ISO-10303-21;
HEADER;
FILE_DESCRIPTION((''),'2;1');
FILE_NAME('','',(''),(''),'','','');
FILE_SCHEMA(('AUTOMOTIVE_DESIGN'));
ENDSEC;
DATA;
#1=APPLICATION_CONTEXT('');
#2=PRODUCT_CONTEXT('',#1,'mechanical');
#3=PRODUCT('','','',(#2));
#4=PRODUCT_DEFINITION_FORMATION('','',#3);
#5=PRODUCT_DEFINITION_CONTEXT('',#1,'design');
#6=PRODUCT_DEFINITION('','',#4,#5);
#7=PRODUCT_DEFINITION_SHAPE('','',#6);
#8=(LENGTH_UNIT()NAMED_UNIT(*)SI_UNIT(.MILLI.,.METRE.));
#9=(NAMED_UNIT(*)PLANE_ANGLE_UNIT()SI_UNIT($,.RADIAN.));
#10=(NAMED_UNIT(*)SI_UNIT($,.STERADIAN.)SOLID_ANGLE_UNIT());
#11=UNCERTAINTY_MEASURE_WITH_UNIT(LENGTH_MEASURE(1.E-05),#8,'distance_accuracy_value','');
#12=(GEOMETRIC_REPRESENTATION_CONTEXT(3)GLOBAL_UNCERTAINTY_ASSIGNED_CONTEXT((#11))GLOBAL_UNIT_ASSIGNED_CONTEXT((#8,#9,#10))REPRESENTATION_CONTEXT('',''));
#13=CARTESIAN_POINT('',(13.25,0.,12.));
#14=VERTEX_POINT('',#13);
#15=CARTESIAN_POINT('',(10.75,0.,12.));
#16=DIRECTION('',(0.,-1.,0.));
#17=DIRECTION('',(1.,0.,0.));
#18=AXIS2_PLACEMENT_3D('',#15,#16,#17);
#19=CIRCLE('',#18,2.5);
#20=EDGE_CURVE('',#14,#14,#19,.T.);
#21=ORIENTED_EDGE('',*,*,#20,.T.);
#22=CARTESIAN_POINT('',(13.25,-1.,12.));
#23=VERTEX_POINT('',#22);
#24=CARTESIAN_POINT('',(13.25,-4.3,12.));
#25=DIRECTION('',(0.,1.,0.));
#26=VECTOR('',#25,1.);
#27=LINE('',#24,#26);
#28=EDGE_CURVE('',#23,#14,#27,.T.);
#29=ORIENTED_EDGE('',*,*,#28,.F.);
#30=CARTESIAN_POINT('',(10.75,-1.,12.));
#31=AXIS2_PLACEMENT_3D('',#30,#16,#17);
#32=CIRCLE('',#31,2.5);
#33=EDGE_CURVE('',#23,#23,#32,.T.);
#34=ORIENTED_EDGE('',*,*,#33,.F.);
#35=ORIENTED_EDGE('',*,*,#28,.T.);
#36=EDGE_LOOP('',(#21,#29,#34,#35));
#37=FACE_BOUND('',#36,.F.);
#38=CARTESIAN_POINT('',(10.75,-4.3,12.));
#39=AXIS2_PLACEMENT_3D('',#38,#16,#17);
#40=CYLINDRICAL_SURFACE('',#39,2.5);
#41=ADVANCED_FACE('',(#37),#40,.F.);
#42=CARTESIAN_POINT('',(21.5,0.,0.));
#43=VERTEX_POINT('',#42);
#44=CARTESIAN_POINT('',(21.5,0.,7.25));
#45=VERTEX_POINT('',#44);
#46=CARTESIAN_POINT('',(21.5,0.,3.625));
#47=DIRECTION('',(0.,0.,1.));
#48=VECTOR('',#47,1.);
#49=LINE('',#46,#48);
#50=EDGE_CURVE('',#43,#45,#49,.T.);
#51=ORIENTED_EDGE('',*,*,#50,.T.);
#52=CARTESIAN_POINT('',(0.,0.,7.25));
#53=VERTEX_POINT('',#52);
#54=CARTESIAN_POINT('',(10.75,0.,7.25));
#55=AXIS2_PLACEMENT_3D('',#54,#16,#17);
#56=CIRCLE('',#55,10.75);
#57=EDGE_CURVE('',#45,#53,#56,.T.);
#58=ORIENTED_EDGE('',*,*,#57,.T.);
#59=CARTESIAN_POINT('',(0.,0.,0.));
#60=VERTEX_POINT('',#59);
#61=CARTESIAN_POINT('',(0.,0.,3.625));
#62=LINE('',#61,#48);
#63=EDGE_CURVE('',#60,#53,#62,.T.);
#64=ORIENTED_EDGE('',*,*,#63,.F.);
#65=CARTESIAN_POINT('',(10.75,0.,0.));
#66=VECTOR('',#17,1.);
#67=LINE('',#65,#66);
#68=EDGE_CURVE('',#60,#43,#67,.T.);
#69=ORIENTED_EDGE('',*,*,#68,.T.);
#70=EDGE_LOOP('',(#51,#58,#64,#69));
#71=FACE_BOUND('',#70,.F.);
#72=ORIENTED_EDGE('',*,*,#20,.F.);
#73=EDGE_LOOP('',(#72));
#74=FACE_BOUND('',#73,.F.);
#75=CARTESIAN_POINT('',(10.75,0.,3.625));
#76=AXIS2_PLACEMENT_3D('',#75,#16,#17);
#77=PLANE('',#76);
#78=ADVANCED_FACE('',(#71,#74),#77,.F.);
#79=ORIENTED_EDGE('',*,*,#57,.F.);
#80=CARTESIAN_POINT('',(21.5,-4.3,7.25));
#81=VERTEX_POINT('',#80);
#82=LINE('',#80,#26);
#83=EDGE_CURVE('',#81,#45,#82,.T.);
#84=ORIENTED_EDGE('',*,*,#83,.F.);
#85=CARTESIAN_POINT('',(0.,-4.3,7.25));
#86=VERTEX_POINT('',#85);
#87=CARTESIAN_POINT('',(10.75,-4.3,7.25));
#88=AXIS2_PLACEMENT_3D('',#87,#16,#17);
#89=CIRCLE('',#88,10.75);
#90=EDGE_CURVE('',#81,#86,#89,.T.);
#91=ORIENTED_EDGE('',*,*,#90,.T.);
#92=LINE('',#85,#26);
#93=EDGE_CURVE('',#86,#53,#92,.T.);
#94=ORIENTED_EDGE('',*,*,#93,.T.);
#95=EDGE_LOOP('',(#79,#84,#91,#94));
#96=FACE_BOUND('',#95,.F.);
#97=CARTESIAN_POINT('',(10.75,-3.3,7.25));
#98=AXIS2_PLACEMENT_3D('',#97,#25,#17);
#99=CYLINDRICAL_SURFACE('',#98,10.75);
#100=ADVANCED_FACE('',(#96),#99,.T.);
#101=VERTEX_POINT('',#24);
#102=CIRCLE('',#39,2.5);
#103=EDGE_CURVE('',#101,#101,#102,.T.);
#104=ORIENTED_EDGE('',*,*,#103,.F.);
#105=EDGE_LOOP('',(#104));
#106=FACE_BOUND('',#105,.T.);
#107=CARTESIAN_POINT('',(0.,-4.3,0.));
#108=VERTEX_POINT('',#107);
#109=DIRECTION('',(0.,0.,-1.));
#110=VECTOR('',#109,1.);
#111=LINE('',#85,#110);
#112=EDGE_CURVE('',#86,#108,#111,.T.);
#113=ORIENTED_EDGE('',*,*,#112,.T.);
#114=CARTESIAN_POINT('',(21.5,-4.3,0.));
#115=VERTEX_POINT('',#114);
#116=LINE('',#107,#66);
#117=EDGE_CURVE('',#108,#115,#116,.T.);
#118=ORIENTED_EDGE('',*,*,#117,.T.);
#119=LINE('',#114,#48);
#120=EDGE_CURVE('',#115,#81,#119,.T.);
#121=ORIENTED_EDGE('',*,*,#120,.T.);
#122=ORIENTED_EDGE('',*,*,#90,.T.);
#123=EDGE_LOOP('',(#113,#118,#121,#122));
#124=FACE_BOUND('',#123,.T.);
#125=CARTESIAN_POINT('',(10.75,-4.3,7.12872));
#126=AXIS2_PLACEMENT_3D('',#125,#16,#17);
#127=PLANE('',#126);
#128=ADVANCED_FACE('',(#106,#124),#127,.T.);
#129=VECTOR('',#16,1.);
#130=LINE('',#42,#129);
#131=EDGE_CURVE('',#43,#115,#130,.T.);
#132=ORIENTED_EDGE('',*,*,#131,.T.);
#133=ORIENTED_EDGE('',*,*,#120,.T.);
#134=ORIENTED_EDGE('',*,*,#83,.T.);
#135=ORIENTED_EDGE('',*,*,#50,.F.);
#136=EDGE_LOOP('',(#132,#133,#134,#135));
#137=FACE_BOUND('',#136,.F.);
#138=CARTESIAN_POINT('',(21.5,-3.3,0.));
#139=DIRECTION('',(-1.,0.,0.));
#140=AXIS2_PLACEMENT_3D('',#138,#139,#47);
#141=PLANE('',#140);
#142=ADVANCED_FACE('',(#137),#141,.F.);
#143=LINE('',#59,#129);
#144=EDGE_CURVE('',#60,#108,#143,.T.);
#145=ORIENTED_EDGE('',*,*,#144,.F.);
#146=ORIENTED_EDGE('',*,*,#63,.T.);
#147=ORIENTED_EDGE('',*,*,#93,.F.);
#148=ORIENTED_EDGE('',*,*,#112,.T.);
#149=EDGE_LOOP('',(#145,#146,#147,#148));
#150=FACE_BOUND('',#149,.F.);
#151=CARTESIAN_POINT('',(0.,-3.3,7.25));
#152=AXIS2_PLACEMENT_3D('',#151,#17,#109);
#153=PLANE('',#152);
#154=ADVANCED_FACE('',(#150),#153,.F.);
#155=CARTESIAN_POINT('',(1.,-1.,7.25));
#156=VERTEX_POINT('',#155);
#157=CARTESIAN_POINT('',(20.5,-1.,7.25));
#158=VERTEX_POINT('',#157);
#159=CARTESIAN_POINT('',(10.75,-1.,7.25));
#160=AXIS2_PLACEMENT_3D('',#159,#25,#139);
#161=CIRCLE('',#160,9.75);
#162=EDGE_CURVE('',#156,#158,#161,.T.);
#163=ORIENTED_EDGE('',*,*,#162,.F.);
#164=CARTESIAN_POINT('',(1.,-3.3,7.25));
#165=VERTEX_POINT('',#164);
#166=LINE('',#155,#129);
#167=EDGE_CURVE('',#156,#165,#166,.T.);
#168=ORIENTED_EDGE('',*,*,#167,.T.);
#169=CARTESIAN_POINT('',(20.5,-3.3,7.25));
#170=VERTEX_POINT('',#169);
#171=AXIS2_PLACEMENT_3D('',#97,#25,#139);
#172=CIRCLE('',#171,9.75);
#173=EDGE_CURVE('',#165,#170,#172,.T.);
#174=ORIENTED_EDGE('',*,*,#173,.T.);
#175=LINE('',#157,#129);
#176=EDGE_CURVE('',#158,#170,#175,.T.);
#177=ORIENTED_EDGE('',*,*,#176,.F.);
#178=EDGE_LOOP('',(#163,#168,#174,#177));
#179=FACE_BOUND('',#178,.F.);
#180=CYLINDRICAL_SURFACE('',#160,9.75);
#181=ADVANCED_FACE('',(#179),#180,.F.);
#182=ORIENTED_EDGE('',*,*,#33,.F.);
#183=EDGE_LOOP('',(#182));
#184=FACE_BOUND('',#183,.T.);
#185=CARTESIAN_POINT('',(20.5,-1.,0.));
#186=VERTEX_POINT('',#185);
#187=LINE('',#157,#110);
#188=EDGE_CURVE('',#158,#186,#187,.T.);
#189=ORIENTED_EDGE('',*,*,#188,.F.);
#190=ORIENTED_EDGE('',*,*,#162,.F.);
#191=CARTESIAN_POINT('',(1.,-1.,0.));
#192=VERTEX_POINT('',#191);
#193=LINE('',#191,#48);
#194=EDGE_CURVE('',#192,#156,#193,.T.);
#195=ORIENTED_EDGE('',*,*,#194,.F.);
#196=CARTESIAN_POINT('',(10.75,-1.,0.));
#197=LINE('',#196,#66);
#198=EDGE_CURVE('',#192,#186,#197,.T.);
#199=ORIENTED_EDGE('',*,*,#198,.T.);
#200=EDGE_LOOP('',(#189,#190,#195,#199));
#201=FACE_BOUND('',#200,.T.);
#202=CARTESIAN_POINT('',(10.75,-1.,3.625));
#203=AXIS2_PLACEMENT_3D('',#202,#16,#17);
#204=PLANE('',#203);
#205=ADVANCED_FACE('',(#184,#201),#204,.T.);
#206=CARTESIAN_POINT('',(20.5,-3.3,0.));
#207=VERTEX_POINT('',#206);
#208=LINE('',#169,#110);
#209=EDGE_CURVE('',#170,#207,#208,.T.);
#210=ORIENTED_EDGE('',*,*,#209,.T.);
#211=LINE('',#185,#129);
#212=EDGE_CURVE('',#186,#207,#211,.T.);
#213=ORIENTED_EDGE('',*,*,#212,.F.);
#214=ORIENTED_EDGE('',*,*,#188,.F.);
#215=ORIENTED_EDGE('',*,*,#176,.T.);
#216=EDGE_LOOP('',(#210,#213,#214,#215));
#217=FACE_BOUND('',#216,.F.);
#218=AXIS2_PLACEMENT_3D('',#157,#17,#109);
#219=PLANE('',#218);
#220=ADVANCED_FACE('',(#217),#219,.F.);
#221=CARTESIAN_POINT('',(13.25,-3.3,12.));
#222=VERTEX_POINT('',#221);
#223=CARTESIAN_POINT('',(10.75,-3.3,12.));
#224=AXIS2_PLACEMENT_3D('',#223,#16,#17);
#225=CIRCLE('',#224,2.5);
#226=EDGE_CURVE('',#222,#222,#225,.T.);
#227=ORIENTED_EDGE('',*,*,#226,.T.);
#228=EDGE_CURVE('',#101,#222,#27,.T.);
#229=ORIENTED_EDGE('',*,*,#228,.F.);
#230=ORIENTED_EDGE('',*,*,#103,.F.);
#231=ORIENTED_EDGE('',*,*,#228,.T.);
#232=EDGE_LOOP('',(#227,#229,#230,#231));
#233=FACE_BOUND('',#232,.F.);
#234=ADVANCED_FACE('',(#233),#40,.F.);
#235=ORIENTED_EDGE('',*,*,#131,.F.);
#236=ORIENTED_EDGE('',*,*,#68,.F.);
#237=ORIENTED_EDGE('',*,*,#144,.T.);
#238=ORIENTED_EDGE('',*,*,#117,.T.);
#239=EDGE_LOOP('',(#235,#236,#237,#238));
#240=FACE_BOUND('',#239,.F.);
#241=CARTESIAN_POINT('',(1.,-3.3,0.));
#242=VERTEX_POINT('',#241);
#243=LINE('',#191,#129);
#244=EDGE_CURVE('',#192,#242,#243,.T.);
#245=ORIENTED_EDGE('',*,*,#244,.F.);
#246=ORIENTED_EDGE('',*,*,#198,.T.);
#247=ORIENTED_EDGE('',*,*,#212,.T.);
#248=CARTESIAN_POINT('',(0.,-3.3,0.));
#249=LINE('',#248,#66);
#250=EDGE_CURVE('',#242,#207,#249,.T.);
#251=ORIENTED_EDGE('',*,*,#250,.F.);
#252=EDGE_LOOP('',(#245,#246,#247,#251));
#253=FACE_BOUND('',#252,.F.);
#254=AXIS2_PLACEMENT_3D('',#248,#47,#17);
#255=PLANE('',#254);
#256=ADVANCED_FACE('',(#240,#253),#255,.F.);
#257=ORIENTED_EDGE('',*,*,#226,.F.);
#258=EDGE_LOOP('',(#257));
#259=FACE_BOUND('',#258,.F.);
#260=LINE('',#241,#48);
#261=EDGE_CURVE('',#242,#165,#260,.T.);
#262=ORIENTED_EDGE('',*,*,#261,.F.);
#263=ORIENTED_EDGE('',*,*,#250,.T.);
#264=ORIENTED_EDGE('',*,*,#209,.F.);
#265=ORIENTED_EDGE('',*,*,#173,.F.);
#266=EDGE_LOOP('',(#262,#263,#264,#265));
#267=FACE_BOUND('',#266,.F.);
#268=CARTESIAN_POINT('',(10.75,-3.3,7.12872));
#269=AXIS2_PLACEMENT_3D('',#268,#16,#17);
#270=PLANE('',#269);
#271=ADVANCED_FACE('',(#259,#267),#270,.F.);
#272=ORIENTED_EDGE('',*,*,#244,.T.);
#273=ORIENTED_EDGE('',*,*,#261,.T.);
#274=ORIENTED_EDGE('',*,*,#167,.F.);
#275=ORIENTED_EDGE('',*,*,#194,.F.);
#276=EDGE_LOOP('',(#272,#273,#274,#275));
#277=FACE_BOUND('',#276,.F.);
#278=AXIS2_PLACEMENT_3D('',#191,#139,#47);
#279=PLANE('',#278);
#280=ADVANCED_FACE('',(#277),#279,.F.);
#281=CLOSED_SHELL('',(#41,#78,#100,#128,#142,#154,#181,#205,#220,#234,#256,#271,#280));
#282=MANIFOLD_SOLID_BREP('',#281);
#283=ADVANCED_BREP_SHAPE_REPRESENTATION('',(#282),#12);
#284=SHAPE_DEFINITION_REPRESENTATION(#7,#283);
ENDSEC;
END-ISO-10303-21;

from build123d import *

# Parameters (mm, degrees)
F0_W     = 21.5
F0_H     = 7.25
F1_DEPTH = 1
F3_DEPTH = 2.3
F5_DEPTH = 1
F6_R     = 2.5
F7_DEPTH = 4.301


with BuildPart() as f1:
    # F0 (on Front) → F1 (new body)
    with BuildSketch(Plane.XZ):
        with Locations((10.75, 3.625)):
            Rectangle(F0_W, F0_H)
        with BuildLine():
            ThreePointArc((21.5, 7.25), (10.75, 18), (0, 7.25))
            Line((0, 7.25), (21.5, 7.25))
        make_face()
    extrude(amount=F1_DEPTH)

    # F2 (on face) → F3 (join)
    with BuildSketch(Plane.XZ.offset(1)):
        with BuildLine():
            Line((20.5, 7.25), (20.5, 0))
            Line((20.5, 0), (21.5, 0))
            Line((21.5, 0), (21.5, 7.25))
            ThreePointArc((21.5, 7.25), (10.75, 18), (0, 7.25))
            Line((0, 7.25), (0, 0))
            Line((0, 0), (1, 0))
            Line((1, 0), (1, 7.25))
            ThreePointArc((1, 7.25), (10.75, 17), (20.5, 7.25))
        make_face()
    extrude(amount=F3_DEPTH)

    # F4 (on face) → F5 (join)
    with BuildSketch(Plane.XZ.offset(3.3)):
        with BuildLine():
            Line((0, 7.25), (0, 0))
            Line((0, 0), (21.5, 0))
            Line((21.5, 0), (21.5, 7.25))
            ThreePointArc((21.5, 7.25), (10.75, 18), (0, 7.25))
        make_face()
    extrude(amount=F5_DEPTH)

    # F6 (on face) → F7 (cut, through all)
    with BuildSketch(Plane.XZ.offset(4.3)):
        with Locations((10.75, 12)):
            Circle(F6_R)
    extrude(amount=-F7_DEPTH, mode=Mode.SUBTRACT)


solid = f1.part
